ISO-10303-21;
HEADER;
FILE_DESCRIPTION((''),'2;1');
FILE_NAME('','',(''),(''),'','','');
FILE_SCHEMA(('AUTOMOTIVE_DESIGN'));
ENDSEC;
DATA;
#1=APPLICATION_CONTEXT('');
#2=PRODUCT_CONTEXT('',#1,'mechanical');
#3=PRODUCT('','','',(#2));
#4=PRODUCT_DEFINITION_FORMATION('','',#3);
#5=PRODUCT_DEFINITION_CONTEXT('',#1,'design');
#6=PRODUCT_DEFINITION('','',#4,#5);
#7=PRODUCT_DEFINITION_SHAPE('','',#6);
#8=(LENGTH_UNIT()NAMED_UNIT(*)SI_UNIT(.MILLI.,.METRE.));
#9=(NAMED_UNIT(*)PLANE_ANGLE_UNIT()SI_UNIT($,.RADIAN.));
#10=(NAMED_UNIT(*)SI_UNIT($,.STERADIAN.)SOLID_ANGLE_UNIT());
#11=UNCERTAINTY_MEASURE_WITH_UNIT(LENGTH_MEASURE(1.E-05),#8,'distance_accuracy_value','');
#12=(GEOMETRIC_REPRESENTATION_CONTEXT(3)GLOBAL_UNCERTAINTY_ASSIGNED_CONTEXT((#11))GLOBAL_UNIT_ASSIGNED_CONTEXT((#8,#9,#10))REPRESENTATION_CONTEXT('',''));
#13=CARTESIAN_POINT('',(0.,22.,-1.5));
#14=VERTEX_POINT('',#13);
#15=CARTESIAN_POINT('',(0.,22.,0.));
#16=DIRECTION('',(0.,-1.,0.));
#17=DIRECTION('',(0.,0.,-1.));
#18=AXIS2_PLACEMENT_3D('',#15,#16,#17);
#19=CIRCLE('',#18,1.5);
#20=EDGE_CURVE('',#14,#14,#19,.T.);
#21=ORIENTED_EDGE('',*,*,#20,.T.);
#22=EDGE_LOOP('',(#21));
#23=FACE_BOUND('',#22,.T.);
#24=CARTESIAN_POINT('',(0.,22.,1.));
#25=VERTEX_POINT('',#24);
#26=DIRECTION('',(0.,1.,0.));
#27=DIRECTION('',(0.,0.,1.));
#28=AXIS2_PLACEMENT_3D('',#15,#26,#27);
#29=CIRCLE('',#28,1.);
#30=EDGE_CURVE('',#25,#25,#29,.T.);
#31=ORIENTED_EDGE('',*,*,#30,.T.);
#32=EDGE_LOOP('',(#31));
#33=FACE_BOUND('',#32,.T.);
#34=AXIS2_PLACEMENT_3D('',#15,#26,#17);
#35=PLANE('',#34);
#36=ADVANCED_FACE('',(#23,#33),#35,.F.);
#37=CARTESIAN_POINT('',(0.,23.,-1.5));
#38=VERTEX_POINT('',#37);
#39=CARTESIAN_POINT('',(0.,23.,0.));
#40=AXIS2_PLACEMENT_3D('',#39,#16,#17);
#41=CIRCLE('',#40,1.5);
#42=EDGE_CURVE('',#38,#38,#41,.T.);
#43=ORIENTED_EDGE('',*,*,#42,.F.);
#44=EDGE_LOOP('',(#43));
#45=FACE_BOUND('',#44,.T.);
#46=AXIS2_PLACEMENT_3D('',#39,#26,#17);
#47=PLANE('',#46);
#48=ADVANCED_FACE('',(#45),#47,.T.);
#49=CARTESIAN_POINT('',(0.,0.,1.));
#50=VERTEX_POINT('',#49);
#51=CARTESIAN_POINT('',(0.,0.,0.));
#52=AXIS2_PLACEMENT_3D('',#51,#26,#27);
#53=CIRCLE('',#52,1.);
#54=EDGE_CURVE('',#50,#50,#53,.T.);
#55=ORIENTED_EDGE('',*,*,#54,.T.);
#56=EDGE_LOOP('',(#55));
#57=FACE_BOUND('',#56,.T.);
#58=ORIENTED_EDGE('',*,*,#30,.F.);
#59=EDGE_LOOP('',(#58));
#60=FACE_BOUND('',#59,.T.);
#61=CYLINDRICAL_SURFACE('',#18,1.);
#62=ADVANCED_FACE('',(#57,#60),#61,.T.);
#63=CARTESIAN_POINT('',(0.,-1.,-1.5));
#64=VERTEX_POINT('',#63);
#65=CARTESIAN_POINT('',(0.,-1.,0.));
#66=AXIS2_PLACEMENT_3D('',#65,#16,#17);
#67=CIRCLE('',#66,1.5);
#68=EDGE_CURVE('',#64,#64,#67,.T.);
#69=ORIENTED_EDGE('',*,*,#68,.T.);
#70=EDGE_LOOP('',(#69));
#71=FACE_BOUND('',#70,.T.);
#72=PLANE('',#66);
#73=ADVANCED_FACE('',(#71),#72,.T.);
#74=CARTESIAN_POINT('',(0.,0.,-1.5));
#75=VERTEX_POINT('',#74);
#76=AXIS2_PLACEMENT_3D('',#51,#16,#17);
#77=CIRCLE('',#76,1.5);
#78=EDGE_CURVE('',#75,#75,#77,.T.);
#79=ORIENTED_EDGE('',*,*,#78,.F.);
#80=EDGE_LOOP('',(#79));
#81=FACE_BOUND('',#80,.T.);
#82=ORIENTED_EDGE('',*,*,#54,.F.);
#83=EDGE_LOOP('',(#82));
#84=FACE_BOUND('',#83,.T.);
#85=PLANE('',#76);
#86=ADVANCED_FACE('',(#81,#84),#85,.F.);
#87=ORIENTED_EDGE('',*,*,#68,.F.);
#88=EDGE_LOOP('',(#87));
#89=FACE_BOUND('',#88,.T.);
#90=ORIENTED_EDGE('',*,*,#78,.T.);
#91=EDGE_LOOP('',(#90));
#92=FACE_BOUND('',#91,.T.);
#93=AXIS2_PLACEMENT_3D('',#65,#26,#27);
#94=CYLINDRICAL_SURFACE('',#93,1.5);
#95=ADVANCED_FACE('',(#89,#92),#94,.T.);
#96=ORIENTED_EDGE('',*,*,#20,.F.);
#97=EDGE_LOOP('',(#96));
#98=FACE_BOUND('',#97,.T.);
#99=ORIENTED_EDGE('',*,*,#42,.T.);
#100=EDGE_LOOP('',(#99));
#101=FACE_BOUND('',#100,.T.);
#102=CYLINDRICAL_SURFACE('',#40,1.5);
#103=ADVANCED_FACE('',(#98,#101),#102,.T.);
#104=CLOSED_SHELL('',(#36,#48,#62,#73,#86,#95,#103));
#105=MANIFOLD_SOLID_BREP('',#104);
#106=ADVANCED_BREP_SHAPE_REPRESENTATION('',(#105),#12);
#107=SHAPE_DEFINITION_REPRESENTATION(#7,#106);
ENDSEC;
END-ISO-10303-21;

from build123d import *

# Parameters (mm, degrees)
SKETCH1_R           = 1
BOSS_EXTRUDE1_DEPTH = 22
SKETCH2_R           = 1.5
BOSS_EXTRUDE2_DEPTH = 1


with BuildPart() as part:
    # Sketch1 → Boss-Extrude1 (new body)
    with BuildSketch(Plane(origin=(0, 0, 0), x_dir=(1, 0, 0), z_dir=(0, 1, 0))):
        with Locations(Location((0, 0, 0), (0, 0, 270))):
            Circle(SKETCH1_R)
    extrude(amount=BOSS_EXTRUDE1_DEPTH)

    # Sketch2 → Boss-Extrude2 (add)
    with BuildSketch(Plane.XZ):
        with Locations(Location((0, 0, 0), (0, 0, 270))):
            Circle(SKETCH2_R)
    boss_extrude2 = extrude(amount=BOSS_EXTRUDE2_DEPTH)

    # Mirror2: Boss-Extrude2 across plane
    add(boss_extrude2.mirror(Plane.ZX.offset(11)))


solid = part.part
